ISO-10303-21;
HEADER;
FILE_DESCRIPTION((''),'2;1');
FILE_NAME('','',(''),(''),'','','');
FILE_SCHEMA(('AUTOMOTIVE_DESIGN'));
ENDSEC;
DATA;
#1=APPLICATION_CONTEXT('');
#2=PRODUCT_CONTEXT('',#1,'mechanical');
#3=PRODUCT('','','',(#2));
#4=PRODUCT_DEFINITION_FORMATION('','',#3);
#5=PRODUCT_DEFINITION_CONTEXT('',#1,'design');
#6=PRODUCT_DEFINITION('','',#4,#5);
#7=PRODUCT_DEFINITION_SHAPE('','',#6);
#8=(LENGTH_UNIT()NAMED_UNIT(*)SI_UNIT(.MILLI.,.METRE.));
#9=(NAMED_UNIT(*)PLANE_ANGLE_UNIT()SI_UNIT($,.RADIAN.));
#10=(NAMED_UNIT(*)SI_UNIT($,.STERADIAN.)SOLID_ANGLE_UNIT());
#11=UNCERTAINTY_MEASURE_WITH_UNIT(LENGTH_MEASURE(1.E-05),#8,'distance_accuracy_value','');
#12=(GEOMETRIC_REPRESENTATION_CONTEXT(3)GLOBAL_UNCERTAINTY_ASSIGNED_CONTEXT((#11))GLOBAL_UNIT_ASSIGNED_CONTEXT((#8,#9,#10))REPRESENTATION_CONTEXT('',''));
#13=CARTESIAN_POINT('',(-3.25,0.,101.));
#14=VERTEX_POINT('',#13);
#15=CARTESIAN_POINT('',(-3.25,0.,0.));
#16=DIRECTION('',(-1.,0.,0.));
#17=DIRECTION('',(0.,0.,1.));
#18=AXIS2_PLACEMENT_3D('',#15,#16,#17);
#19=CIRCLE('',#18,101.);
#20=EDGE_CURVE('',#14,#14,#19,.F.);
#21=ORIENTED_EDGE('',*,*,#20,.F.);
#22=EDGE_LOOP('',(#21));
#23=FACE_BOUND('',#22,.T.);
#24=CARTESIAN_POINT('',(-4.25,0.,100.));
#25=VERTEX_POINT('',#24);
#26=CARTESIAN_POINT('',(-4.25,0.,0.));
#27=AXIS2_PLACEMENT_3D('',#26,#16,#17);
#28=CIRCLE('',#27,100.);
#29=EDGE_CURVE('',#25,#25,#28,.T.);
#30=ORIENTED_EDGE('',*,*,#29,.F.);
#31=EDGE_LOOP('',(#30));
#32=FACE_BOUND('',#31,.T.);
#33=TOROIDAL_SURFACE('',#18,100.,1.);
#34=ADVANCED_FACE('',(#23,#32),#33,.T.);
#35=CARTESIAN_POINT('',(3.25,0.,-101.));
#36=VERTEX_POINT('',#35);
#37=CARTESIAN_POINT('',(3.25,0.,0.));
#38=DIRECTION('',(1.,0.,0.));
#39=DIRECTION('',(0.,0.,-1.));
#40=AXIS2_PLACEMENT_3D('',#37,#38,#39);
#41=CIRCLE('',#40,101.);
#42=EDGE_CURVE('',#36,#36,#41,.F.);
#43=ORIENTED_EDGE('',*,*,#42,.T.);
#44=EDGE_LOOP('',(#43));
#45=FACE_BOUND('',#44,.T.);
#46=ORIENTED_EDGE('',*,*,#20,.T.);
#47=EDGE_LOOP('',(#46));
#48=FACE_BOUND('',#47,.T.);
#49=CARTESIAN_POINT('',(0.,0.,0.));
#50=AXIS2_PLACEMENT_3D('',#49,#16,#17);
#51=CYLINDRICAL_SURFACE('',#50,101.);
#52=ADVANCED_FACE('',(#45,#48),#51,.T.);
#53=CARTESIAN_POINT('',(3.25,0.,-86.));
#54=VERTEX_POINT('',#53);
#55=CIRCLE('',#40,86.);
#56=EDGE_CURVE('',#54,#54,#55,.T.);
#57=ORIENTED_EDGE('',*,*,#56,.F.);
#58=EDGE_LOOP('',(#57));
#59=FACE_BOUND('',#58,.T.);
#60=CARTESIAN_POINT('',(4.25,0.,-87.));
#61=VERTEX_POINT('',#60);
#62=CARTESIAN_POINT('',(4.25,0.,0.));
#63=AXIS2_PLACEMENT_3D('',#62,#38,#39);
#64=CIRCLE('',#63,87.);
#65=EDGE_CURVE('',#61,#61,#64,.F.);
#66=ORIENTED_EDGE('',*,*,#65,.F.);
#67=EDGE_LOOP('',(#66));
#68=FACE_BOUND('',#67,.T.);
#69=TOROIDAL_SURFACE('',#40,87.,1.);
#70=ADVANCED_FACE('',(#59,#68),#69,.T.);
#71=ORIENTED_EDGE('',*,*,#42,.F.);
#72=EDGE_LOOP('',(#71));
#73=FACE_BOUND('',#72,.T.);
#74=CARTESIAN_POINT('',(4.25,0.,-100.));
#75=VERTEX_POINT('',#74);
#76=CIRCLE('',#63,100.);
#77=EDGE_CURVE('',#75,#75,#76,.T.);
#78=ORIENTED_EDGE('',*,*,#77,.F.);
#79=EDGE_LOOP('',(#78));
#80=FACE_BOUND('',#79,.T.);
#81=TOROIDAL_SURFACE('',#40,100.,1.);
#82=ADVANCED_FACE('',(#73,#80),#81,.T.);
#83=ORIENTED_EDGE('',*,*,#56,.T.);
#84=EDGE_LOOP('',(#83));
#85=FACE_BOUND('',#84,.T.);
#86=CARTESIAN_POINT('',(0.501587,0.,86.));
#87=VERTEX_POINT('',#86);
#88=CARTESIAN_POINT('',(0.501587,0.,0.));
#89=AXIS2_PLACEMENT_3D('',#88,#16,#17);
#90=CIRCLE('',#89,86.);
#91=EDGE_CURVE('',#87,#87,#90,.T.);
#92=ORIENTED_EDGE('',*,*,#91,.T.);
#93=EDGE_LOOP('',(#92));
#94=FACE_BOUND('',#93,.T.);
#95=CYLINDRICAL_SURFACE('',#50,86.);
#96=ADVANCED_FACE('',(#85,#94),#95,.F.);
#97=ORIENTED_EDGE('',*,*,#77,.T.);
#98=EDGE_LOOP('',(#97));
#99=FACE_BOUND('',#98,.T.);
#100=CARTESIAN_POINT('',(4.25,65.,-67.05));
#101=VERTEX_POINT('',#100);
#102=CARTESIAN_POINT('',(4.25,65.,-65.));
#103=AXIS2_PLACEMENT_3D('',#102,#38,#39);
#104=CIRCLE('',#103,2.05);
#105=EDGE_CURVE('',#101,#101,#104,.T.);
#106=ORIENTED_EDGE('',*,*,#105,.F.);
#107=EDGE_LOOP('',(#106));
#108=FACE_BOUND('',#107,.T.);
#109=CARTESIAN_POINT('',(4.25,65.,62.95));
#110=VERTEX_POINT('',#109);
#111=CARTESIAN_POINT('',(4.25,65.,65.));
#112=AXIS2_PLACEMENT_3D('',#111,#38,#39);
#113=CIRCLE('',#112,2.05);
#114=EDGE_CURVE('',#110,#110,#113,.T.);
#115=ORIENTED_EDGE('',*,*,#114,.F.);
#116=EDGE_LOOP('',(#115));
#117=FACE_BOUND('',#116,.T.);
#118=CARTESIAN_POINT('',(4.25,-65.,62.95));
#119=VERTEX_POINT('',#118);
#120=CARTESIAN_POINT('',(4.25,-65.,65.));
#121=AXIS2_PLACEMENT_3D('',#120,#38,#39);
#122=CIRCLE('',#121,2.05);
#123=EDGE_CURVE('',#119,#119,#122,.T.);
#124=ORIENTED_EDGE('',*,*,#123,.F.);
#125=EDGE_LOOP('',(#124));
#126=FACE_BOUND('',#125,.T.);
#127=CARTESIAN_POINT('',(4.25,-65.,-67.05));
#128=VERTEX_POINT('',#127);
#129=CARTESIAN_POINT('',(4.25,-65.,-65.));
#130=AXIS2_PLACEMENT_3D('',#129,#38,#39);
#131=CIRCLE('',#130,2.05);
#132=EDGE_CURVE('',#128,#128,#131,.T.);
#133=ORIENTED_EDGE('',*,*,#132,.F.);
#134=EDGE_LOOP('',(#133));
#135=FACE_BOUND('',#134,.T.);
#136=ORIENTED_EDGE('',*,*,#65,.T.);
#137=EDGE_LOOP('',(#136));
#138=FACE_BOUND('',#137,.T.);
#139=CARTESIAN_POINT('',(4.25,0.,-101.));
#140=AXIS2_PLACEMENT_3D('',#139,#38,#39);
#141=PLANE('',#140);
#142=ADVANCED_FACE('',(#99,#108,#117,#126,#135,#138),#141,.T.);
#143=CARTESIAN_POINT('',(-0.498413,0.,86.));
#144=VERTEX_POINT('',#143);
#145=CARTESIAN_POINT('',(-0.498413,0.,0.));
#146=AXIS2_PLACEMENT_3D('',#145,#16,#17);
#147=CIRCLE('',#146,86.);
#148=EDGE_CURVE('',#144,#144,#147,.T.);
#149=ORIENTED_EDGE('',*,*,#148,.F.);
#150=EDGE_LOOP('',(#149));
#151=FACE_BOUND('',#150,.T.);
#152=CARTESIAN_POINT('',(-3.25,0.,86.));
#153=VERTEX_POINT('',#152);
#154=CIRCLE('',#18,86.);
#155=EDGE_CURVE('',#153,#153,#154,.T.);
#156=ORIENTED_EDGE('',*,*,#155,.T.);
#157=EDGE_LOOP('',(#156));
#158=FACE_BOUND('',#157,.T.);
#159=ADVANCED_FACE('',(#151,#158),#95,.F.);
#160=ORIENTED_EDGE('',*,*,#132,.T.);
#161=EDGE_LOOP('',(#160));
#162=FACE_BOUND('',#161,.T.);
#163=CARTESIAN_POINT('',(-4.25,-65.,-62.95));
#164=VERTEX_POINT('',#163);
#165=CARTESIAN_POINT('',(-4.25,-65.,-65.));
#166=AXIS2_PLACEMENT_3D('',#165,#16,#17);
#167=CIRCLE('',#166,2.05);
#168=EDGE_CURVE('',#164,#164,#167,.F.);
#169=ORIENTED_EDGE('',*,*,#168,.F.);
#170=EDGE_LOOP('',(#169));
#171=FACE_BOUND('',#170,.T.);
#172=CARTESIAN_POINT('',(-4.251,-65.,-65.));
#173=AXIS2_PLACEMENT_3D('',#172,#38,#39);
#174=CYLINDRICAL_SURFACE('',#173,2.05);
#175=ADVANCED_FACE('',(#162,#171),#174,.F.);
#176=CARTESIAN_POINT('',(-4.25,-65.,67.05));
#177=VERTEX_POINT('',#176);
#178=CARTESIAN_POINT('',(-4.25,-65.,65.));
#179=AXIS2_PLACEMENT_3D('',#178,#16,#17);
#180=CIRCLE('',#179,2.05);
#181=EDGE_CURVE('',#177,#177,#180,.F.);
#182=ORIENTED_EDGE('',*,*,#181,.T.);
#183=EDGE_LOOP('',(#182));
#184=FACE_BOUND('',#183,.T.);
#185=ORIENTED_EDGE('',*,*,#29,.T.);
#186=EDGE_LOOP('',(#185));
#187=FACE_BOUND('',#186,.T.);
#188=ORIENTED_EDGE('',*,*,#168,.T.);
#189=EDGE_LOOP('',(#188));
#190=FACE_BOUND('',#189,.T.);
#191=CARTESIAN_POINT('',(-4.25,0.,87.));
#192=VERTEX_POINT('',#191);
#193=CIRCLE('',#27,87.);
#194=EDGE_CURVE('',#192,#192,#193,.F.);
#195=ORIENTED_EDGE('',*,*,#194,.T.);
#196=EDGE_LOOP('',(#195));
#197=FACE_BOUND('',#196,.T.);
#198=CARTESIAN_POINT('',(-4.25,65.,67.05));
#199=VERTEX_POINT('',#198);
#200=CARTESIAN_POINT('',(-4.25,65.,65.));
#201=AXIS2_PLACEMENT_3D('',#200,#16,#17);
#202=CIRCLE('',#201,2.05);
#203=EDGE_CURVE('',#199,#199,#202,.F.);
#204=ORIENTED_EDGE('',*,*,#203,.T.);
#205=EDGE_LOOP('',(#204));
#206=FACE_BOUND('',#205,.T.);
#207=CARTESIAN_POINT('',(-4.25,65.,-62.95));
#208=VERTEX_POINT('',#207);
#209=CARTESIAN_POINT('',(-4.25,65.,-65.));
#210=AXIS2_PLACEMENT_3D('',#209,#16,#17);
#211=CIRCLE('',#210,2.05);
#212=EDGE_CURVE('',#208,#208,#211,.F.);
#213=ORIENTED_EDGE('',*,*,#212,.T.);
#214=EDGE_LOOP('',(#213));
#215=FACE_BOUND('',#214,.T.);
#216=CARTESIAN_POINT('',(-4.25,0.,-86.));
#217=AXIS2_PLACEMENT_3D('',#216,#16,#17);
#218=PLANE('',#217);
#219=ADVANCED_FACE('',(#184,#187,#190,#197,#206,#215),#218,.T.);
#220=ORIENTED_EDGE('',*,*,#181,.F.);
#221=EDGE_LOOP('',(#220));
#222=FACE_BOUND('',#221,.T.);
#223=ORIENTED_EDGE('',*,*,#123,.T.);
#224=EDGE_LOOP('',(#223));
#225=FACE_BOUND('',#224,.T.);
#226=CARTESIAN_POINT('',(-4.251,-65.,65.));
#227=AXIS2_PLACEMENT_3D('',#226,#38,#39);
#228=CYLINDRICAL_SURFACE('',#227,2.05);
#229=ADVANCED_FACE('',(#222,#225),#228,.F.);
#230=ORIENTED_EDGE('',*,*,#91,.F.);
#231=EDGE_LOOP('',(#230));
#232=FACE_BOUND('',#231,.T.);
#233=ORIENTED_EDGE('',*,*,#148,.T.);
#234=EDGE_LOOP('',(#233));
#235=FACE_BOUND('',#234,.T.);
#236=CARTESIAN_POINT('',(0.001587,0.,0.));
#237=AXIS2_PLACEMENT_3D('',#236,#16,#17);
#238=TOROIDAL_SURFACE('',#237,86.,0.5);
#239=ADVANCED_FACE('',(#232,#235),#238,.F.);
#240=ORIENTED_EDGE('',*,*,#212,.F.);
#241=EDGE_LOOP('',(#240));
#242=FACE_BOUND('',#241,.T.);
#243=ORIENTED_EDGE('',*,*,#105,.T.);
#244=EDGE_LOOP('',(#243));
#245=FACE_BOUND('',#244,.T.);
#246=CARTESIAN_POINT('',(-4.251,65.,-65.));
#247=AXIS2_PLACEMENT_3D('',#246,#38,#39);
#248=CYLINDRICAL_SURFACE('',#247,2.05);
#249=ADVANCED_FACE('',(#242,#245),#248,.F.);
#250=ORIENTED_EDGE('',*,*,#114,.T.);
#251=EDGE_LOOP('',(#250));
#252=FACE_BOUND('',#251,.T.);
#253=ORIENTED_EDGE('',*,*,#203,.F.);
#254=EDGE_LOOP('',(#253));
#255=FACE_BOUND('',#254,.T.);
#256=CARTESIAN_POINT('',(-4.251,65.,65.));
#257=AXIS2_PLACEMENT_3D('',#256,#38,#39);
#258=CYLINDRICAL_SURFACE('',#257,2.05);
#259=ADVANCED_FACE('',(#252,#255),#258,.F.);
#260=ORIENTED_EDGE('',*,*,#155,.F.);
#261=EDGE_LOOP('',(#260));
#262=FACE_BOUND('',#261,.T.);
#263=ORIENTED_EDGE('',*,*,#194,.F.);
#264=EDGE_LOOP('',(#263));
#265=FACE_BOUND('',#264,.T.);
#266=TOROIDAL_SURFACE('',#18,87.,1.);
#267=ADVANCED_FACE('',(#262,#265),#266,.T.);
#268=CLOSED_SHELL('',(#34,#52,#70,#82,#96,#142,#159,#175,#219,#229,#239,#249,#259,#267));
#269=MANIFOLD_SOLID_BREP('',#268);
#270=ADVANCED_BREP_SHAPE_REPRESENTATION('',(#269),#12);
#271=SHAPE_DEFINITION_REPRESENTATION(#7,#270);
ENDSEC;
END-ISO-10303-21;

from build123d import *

# Parameters (mm, degrees)
FILLET1_R          = 1
CUT_EXTRUDE1_REACH = 145.088
SKETCH3_R          = 2.05


with BuildPart() as part:
    # Sketch1 → Revolve1 (revolve)
    with BuildSketch(Plane(origin=(0, 0, 0), x_dir=(1, 0, 0), z_dir=(0, 1, 0)), mode=Mode.PRIVATE) as revolve1_sk:
        with BuildLine():
            Line((-4.25, 101), (4.25, 101))
            Line((4.25, 101), (4.25, 86))
            Line((4.25, 86), (0.501586867, 86))
            ThreePointArc((0.501586867, 86), (0.001586867, 86.5), (-0.498413133, 86))
            Line((-0.498413133, 86), (-4.25, 86))
            Line((-4.25, 86), (-4.25, 101))
        make_face()
    revolve(revolve1_sk.sketch.rotate(Axis((0, 0, 0), (1, 0, 0)), 180), axis=Axis((0, 0, 0), (1, 0, 0)))

    # Fillet1
    fillet1_edges = [part.edges().sort_by_distance(p)[0] for p in [
        (-4.25, 0, -86),
        (-4.25, 0, -101),
        (4.25, 0, -101),
        (4.25, 0, -86),
    ]]
    fillet(fillet1_edges, radius=FILLET1_R)

    # Sketch3 → Cut-Extrude1 (cut, up to next)
    with BuildSketch(Plane(origin=(4.25, 0, 0), x_dir=(0, 0, -1), z_dir=(1, 0, 0)), mode=Mode.PRIVATE) as cut_extrude1_sk1:
        with Locations((-65, -65)):
            Circle(SKETCH3_R)
    cut_extrude1_tool1 = extrude(cut_extrude1_sk1.sketch, amount=-CUT_EXTRUDE1_REACH, mode=Mode.PRIVATE) & part.part
    # Sketch3 → Cut-Extrude1 (cut, up to next)
    with BuildSketch(Plane(origin=(4.25, 0, 0), x_dir=(0, 0, -1), z_dir=(1, 0, 0)), mode=Mode.PRIVATE) as cut_extrude1_sk2:
        with Locations((-65, 65)):
            Circle(SKETCH3_R)
    cut_extrude1_tool2 = extrude(cut_extrude1_sk2.sketch, amount=-CUT_EXTRUDE1_REACH, mode=Mode.PRIVATE) & part.part
    # Sketch3 → Cut-Extrude1 (cut, up to next)
    with BuildSketch(Plane(origin=(4.25, 0, 0), x_dir=(0, 0, -1), z_dir=(1, 0, 0)), mode=Mode.PRIVATE) as cut_extrude1_sk3:
        with Locations((65, 65)):
            Circle(SKETCH3_R)
    cut_extrude1_tool3 = extrude(cut_extrude1_sk3.sketch, amount=-CUT_EXTRUDE1_REACH, mode=Mode.PRIVATE) & part.part
    # Sketch3 → Cut-Extrude1 (cut, up to next)
    with BuildSketch(Plane(origin=(4.25, 0, 0), x_dir=(0, 0, -1), z_dir=(1, 0, 0)), mode=Mode.PRIVATE) as cut_extrude1_sk4:
        with Locations((65, -65)):
            Circle(SKETCH3_R)
    cut_extrude1_tool4 = extrude(cut_extrude1_sk4.sketch, amount=-CUT_EXTRUDE1_REACH, mode=Mode.PRIVATE) & part.part
    add(cut_extrude1_tool1.solids().sort_by_distance((4.25, -65, 65))[0], mode=Mode.SUBTRACT)
    add(cut_extrude1_tool2.solids().sort_by_distance((4.25, 65, 65))[0], mode=Mode.SUBTRACT)
    add(cut_extrude1_tool3.solids().sort_by_distance((4.25, 65, -65))[0], mode=Mode.SUBTRACT)
    add(cut_extrude1_tool4.solids().sort_by_distance((4.25, -65, -65))[0], mode=Mode.SUBTRACT)


solid = part.part
